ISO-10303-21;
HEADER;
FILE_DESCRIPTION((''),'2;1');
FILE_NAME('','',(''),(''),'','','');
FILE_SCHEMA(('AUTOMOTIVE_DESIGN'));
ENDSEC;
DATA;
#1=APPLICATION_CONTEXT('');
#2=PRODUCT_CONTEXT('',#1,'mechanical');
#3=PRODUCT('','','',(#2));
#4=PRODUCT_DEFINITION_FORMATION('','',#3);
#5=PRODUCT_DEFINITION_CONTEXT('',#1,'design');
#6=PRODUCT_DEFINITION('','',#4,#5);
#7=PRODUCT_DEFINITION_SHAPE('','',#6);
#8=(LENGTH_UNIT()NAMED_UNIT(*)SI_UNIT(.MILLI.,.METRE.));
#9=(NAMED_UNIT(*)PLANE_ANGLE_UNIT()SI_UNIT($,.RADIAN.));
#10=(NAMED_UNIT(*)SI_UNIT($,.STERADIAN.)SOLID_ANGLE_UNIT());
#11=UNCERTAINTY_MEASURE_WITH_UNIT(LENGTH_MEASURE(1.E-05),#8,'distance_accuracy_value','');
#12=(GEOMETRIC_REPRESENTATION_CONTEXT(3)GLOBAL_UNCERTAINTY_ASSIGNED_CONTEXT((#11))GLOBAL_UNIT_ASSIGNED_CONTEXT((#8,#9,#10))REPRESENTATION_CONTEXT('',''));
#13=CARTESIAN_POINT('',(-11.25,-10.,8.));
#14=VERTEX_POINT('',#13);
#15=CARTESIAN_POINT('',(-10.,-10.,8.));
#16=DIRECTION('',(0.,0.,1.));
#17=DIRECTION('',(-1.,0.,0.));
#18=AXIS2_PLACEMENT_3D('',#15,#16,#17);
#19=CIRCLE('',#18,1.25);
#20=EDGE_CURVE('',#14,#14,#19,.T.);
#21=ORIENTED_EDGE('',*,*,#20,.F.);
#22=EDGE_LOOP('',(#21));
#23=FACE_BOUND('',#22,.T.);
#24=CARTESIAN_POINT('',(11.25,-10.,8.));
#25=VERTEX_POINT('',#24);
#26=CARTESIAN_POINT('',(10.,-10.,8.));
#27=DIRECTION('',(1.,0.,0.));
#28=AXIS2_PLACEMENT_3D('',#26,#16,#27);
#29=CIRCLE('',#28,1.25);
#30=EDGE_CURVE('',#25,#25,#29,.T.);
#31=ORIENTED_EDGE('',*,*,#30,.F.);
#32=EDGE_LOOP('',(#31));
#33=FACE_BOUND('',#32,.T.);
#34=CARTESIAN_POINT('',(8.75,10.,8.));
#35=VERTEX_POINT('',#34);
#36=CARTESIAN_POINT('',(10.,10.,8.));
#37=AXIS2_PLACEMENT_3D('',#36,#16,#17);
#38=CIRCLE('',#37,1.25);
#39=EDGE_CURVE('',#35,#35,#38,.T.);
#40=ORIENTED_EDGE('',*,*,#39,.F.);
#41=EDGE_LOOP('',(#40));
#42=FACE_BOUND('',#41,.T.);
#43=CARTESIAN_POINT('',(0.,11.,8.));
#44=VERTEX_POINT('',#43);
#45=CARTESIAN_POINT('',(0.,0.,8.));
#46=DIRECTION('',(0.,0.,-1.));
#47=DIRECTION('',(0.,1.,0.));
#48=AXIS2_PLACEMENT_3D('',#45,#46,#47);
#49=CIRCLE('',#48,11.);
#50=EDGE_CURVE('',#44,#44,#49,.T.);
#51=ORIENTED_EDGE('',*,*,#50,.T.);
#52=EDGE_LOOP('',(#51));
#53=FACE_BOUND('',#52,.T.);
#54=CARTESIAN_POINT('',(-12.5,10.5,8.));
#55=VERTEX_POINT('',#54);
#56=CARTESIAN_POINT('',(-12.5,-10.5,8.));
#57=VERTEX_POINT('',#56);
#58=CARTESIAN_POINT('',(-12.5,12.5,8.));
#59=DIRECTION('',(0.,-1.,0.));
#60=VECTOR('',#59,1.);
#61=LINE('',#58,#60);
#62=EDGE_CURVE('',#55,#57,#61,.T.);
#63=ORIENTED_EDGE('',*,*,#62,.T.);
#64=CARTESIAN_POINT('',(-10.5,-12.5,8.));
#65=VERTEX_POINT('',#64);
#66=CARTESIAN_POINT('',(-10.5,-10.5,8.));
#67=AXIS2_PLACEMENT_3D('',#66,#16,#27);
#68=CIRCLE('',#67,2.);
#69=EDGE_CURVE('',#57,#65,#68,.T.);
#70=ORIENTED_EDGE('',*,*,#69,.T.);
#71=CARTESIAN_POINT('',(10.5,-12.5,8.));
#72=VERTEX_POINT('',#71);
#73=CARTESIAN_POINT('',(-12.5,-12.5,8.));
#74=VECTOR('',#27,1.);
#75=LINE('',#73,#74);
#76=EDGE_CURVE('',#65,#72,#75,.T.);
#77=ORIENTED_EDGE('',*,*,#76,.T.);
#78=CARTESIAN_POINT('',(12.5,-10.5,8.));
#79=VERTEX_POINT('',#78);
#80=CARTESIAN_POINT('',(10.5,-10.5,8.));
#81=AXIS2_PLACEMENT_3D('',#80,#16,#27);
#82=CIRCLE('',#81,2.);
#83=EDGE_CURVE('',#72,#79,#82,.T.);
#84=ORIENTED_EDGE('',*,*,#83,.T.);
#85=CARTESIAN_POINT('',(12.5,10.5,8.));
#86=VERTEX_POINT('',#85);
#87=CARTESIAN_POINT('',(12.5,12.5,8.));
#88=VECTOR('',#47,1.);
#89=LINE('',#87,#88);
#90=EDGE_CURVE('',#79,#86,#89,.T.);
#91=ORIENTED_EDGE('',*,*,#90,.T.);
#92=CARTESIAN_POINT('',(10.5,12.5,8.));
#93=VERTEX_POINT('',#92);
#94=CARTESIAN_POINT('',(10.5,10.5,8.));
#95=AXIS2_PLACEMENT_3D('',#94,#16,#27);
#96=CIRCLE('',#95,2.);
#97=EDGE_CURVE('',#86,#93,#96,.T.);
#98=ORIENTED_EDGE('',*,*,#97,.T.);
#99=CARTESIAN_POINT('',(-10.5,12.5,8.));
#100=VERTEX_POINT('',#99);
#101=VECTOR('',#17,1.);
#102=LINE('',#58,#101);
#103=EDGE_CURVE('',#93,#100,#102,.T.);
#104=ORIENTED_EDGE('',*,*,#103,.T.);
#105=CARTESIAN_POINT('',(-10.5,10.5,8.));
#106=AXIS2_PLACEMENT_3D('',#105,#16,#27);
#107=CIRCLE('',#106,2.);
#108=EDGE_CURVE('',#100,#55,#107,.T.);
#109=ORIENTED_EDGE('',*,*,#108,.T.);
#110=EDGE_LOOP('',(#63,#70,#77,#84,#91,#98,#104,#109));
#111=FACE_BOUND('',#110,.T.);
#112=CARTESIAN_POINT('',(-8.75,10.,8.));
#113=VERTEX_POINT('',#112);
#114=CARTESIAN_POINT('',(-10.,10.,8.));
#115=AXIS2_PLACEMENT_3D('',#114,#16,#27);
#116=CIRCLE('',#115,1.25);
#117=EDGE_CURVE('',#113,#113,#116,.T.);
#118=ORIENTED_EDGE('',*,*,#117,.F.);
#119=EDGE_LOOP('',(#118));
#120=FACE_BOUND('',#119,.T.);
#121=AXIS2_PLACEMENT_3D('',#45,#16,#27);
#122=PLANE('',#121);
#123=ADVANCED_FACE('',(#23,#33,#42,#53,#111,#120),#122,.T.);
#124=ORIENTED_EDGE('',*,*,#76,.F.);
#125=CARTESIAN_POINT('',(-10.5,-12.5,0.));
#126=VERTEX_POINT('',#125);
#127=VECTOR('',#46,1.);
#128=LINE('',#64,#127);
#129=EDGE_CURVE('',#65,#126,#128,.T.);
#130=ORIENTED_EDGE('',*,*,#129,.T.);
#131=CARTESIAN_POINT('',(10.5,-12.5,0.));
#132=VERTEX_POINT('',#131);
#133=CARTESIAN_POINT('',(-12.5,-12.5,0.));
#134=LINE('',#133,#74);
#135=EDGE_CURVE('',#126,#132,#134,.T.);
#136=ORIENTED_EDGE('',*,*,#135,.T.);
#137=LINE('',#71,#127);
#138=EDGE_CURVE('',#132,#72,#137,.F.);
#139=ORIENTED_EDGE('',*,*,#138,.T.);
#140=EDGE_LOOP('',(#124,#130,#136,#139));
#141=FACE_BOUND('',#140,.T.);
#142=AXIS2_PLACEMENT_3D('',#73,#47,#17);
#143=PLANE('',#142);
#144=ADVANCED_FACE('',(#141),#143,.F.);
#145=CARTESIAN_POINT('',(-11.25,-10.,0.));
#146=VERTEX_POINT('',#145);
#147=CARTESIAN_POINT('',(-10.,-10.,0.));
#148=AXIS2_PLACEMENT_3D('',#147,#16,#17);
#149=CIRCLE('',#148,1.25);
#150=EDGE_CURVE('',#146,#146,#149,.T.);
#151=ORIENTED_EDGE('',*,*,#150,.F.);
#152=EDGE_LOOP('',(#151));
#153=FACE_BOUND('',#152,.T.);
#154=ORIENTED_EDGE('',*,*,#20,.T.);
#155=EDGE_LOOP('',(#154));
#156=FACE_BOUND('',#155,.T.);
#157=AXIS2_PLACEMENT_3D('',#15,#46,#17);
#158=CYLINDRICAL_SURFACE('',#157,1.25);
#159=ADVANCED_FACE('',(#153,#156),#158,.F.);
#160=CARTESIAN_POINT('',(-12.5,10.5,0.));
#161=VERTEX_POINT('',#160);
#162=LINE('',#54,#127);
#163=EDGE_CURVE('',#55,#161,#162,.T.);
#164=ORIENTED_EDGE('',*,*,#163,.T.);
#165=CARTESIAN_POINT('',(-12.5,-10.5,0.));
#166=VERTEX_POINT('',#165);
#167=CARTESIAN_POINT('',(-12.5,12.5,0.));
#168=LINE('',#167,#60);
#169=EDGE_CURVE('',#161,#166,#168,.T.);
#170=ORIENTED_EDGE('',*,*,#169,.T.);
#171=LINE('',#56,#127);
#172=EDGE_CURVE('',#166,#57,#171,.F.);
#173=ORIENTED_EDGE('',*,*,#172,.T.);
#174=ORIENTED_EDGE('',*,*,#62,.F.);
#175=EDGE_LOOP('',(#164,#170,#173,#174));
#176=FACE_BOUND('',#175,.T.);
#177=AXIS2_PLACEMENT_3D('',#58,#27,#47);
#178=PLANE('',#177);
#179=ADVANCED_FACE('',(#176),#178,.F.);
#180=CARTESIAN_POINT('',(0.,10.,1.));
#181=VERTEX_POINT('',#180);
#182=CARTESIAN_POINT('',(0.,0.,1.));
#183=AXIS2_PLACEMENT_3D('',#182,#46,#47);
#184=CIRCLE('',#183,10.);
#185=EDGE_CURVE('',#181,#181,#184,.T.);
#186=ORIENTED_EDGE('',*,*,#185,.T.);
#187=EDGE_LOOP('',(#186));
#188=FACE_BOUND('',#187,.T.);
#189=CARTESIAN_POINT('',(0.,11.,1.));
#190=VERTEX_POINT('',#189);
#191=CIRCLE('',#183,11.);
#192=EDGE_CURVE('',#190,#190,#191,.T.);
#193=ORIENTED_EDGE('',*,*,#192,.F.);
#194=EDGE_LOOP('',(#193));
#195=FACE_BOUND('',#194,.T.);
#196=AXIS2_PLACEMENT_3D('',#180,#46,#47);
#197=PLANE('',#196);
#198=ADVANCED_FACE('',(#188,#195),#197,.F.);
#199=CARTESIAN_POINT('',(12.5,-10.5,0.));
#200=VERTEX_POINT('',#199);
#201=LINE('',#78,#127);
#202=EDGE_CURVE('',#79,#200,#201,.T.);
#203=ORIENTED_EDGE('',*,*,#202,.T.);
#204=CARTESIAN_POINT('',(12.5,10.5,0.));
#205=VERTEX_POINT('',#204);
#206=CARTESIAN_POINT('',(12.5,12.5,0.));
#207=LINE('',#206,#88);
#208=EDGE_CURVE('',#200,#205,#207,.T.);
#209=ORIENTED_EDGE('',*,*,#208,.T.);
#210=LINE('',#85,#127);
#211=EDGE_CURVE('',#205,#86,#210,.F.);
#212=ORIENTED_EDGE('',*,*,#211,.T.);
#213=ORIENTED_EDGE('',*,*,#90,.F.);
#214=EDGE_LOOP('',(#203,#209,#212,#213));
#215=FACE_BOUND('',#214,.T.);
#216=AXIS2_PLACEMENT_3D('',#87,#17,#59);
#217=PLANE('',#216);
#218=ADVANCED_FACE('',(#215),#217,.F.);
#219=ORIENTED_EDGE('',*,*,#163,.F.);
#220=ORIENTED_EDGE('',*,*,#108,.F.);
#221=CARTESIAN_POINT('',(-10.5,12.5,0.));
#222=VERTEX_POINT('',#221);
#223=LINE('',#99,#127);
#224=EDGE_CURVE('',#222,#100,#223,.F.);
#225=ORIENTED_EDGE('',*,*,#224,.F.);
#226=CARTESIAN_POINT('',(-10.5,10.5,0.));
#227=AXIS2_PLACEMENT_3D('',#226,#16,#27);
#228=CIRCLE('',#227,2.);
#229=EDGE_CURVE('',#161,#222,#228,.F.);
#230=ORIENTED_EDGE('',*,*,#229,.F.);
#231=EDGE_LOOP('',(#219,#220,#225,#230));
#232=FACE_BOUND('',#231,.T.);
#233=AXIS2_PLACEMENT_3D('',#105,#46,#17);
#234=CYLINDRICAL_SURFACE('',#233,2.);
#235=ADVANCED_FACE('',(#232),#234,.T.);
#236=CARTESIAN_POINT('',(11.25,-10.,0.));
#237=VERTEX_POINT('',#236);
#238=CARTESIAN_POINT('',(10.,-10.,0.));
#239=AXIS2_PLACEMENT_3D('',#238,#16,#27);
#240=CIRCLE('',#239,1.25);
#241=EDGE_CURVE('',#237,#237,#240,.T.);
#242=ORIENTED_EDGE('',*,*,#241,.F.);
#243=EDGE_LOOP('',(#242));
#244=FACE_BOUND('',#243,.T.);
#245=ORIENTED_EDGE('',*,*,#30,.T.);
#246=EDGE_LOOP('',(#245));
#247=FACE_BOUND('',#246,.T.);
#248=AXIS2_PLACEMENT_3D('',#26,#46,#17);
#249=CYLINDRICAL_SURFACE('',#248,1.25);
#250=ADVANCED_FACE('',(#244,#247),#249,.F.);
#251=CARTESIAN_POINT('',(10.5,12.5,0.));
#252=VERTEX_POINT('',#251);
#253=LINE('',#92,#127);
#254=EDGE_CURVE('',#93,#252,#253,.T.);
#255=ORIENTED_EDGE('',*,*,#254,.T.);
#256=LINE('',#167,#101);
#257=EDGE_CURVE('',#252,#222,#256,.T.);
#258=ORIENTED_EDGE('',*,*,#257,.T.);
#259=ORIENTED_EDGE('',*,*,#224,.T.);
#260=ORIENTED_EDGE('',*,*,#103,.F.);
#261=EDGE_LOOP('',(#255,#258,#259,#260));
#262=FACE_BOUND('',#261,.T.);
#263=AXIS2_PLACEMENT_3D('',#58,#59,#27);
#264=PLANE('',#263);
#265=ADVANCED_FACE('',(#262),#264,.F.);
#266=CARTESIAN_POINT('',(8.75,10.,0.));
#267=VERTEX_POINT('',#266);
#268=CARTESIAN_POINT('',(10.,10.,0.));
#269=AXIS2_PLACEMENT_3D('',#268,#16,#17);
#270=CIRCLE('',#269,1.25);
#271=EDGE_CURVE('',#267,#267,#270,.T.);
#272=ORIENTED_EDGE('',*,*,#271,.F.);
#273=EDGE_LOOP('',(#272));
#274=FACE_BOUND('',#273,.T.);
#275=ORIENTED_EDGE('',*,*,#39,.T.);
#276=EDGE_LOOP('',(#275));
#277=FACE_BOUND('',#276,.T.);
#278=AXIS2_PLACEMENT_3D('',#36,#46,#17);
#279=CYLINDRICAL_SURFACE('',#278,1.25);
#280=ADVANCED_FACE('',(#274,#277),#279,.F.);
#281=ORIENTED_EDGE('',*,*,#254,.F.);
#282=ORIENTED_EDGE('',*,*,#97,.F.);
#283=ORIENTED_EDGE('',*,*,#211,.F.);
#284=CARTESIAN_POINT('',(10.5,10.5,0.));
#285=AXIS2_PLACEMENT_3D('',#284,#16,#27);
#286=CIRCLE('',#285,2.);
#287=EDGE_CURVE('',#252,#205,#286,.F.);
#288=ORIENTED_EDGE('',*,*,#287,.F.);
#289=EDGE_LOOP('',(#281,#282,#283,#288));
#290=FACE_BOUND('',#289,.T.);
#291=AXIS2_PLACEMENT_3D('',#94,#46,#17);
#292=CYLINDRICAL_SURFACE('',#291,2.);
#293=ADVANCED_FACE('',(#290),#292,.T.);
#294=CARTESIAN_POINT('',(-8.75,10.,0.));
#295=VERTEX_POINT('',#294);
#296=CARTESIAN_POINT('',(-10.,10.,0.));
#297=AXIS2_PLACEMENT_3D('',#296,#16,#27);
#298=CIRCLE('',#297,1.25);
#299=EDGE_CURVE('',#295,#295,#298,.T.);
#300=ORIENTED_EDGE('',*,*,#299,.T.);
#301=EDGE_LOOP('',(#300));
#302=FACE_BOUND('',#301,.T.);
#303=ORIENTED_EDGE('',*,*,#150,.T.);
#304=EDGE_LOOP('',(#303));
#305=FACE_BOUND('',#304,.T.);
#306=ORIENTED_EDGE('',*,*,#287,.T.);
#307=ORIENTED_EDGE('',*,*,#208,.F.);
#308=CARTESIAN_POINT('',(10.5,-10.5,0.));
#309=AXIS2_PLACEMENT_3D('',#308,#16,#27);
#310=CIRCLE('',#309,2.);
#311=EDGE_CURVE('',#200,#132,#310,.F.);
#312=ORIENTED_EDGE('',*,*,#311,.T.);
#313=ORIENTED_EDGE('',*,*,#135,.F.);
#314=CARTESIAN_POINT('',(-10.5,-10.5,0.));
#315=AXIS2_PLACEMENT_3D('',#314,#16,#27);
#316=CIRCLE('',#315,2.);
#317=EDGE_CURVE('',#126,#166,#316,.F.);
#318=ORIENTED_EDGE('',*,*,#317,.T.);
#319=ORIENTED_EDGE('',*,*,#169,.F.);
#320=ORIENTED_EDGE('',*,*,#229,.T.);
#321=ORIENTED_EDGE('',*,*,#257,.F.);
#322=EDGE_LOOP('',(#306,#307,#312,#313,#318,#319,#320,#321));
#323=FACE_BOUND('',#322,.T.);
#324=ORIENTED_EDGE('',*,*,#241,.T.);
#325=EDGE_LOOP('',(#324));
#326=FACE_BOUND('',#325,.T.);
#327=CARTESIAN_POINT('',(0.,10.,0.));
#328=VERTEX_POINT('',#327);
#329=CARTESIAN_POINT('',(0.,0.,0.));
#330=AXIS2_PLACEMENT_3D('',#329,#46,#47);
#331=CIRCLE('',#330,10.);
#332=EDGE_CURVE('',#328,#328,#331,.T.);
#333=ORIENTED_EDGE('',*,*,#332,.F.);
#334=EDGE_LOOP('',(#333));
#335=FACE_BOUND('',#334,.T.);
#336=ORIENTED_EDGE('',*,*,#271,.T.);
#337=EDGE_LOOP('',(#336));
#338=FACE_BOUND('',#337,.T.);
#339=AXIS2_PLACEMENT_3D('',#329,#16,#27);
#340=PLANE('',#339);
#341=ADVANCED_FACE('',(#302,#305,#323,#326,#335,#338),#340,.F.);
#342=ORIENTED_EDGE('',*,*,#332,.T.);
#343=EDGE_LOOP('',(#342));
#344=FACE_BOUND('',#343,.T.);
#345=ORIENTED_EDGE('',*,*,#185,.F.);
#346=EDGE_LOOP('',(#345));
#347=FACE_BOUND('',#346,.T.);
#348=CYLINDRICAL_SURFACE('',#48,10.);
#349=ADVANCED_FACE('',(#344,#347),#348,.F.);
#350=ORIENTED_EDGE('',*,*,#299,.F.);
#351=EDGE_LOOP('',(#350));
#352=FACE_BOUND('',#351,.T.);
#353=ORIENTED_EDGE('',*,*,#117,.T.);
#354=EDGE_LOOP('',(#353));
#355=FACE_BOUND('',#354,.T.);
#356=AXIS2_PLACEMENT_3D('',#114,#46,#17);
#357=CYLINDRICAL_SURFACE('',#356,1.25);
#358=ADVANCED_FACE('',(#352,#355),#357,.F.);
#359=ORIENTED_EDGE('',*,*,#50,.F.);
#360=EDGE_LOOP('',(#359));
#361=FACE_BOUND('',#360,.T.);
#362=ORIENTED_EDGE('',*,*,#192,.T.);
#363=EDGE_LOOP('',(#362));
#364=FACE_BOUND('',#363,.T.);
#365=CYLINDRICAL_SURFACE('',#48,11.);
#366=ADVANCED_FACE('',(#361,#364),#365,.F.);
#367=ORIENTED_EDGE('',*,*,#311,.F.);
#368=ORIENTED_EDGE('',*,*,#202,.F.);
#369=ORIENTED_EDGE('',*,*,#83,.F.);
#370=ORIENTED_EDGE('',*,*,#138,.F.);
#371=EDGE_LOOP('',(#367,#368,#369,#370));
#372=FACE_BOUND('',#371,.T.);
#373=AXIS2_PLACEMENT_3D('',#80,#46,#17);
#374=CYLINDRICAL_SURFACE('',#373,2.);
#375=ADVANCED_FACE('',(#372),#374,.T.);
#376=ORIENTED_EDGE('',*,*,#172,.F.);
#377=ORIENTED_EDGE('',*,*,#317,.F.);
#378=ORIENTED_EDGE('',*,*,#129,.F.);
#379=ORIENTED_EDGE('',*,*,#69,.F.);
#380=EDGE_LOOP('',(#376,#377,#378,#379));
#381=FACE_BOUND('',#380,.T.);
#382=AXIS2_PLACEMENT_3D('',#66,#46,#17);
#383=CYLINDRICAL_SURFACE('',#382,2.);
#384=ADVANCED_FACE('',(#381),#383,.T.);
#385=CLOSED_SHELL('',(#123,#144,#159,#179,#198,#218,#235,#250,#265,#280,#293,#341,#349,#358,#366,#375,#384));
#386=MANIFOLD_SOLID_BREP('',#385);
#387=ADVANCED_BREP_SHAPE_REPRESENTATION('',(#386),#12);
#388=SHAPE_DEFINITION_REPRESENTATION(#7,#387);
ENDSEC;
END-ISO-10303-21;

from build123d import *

# Parameters (mm, degrees)
ESQUISSE1_W        = 25
ESQUISSE1_H        = 25
ESQUISSE1_R        = 1.25
BOSS_EXTRU_1_DEPTH = 8
CONG_1_R           = 2


with BuildPart() as part:
    # Esquisse1 → Boss.-Extru.1 (new body)
    with BuildSketch(Plane.XY):
        Rectangle(ESQUISSE1_W, ESQUISSE1_H)
        with Locations((-10, 10)):
            Circle(ESQUISSE1_R, mode=Mode.SUBTRACT)
        with Locations(Location((10, 10, 0), (0, 0, 180))):
            Circle(ESQUISSE1_R, mode=Mode.SUBTRACT)
        with Locations((10, -10)):
            Circle(ESQUISSE1_R, mode=Mode.SUBTRACT)
        with Locations(Location((-10, -10, 0), (0, 0, 180))):
            Circle(ESQUISSE1_R, mode=Mode.SUBTRACT)
    extrude(amount=BOSS_EXTRU_1_DEPTH)

    # Esquisse2 → Enlèvement de matière-Révolution1 (revolve, cut)
    with BuildSketch(Plane(origin=(0, 0, 0), x_dir=(0, 0, -1), z_dir=(1, 0, 0))):
        Polygon((-8, 0), (0, 0), (0, 10), (-1, 10), (-1, 11), (-8, 11), align=None)
    revolve(axis=Axis((0, 0, 8), (0, 0, 1)), mode=Mode.SUBTRACT)

    # Congé1
    cong_1_edges = [part.edges().sort_by_distance(p)[0] for p in [
        (-12.5, 12.5, 4),
        (12.5, 12.5, 4),
        (12.5, -12.5, 4),
        (-12.5, -12.5, 4),
    ]]
    fillet(cong_1_edges, radius=CONG_1_R)


solid = part.part
